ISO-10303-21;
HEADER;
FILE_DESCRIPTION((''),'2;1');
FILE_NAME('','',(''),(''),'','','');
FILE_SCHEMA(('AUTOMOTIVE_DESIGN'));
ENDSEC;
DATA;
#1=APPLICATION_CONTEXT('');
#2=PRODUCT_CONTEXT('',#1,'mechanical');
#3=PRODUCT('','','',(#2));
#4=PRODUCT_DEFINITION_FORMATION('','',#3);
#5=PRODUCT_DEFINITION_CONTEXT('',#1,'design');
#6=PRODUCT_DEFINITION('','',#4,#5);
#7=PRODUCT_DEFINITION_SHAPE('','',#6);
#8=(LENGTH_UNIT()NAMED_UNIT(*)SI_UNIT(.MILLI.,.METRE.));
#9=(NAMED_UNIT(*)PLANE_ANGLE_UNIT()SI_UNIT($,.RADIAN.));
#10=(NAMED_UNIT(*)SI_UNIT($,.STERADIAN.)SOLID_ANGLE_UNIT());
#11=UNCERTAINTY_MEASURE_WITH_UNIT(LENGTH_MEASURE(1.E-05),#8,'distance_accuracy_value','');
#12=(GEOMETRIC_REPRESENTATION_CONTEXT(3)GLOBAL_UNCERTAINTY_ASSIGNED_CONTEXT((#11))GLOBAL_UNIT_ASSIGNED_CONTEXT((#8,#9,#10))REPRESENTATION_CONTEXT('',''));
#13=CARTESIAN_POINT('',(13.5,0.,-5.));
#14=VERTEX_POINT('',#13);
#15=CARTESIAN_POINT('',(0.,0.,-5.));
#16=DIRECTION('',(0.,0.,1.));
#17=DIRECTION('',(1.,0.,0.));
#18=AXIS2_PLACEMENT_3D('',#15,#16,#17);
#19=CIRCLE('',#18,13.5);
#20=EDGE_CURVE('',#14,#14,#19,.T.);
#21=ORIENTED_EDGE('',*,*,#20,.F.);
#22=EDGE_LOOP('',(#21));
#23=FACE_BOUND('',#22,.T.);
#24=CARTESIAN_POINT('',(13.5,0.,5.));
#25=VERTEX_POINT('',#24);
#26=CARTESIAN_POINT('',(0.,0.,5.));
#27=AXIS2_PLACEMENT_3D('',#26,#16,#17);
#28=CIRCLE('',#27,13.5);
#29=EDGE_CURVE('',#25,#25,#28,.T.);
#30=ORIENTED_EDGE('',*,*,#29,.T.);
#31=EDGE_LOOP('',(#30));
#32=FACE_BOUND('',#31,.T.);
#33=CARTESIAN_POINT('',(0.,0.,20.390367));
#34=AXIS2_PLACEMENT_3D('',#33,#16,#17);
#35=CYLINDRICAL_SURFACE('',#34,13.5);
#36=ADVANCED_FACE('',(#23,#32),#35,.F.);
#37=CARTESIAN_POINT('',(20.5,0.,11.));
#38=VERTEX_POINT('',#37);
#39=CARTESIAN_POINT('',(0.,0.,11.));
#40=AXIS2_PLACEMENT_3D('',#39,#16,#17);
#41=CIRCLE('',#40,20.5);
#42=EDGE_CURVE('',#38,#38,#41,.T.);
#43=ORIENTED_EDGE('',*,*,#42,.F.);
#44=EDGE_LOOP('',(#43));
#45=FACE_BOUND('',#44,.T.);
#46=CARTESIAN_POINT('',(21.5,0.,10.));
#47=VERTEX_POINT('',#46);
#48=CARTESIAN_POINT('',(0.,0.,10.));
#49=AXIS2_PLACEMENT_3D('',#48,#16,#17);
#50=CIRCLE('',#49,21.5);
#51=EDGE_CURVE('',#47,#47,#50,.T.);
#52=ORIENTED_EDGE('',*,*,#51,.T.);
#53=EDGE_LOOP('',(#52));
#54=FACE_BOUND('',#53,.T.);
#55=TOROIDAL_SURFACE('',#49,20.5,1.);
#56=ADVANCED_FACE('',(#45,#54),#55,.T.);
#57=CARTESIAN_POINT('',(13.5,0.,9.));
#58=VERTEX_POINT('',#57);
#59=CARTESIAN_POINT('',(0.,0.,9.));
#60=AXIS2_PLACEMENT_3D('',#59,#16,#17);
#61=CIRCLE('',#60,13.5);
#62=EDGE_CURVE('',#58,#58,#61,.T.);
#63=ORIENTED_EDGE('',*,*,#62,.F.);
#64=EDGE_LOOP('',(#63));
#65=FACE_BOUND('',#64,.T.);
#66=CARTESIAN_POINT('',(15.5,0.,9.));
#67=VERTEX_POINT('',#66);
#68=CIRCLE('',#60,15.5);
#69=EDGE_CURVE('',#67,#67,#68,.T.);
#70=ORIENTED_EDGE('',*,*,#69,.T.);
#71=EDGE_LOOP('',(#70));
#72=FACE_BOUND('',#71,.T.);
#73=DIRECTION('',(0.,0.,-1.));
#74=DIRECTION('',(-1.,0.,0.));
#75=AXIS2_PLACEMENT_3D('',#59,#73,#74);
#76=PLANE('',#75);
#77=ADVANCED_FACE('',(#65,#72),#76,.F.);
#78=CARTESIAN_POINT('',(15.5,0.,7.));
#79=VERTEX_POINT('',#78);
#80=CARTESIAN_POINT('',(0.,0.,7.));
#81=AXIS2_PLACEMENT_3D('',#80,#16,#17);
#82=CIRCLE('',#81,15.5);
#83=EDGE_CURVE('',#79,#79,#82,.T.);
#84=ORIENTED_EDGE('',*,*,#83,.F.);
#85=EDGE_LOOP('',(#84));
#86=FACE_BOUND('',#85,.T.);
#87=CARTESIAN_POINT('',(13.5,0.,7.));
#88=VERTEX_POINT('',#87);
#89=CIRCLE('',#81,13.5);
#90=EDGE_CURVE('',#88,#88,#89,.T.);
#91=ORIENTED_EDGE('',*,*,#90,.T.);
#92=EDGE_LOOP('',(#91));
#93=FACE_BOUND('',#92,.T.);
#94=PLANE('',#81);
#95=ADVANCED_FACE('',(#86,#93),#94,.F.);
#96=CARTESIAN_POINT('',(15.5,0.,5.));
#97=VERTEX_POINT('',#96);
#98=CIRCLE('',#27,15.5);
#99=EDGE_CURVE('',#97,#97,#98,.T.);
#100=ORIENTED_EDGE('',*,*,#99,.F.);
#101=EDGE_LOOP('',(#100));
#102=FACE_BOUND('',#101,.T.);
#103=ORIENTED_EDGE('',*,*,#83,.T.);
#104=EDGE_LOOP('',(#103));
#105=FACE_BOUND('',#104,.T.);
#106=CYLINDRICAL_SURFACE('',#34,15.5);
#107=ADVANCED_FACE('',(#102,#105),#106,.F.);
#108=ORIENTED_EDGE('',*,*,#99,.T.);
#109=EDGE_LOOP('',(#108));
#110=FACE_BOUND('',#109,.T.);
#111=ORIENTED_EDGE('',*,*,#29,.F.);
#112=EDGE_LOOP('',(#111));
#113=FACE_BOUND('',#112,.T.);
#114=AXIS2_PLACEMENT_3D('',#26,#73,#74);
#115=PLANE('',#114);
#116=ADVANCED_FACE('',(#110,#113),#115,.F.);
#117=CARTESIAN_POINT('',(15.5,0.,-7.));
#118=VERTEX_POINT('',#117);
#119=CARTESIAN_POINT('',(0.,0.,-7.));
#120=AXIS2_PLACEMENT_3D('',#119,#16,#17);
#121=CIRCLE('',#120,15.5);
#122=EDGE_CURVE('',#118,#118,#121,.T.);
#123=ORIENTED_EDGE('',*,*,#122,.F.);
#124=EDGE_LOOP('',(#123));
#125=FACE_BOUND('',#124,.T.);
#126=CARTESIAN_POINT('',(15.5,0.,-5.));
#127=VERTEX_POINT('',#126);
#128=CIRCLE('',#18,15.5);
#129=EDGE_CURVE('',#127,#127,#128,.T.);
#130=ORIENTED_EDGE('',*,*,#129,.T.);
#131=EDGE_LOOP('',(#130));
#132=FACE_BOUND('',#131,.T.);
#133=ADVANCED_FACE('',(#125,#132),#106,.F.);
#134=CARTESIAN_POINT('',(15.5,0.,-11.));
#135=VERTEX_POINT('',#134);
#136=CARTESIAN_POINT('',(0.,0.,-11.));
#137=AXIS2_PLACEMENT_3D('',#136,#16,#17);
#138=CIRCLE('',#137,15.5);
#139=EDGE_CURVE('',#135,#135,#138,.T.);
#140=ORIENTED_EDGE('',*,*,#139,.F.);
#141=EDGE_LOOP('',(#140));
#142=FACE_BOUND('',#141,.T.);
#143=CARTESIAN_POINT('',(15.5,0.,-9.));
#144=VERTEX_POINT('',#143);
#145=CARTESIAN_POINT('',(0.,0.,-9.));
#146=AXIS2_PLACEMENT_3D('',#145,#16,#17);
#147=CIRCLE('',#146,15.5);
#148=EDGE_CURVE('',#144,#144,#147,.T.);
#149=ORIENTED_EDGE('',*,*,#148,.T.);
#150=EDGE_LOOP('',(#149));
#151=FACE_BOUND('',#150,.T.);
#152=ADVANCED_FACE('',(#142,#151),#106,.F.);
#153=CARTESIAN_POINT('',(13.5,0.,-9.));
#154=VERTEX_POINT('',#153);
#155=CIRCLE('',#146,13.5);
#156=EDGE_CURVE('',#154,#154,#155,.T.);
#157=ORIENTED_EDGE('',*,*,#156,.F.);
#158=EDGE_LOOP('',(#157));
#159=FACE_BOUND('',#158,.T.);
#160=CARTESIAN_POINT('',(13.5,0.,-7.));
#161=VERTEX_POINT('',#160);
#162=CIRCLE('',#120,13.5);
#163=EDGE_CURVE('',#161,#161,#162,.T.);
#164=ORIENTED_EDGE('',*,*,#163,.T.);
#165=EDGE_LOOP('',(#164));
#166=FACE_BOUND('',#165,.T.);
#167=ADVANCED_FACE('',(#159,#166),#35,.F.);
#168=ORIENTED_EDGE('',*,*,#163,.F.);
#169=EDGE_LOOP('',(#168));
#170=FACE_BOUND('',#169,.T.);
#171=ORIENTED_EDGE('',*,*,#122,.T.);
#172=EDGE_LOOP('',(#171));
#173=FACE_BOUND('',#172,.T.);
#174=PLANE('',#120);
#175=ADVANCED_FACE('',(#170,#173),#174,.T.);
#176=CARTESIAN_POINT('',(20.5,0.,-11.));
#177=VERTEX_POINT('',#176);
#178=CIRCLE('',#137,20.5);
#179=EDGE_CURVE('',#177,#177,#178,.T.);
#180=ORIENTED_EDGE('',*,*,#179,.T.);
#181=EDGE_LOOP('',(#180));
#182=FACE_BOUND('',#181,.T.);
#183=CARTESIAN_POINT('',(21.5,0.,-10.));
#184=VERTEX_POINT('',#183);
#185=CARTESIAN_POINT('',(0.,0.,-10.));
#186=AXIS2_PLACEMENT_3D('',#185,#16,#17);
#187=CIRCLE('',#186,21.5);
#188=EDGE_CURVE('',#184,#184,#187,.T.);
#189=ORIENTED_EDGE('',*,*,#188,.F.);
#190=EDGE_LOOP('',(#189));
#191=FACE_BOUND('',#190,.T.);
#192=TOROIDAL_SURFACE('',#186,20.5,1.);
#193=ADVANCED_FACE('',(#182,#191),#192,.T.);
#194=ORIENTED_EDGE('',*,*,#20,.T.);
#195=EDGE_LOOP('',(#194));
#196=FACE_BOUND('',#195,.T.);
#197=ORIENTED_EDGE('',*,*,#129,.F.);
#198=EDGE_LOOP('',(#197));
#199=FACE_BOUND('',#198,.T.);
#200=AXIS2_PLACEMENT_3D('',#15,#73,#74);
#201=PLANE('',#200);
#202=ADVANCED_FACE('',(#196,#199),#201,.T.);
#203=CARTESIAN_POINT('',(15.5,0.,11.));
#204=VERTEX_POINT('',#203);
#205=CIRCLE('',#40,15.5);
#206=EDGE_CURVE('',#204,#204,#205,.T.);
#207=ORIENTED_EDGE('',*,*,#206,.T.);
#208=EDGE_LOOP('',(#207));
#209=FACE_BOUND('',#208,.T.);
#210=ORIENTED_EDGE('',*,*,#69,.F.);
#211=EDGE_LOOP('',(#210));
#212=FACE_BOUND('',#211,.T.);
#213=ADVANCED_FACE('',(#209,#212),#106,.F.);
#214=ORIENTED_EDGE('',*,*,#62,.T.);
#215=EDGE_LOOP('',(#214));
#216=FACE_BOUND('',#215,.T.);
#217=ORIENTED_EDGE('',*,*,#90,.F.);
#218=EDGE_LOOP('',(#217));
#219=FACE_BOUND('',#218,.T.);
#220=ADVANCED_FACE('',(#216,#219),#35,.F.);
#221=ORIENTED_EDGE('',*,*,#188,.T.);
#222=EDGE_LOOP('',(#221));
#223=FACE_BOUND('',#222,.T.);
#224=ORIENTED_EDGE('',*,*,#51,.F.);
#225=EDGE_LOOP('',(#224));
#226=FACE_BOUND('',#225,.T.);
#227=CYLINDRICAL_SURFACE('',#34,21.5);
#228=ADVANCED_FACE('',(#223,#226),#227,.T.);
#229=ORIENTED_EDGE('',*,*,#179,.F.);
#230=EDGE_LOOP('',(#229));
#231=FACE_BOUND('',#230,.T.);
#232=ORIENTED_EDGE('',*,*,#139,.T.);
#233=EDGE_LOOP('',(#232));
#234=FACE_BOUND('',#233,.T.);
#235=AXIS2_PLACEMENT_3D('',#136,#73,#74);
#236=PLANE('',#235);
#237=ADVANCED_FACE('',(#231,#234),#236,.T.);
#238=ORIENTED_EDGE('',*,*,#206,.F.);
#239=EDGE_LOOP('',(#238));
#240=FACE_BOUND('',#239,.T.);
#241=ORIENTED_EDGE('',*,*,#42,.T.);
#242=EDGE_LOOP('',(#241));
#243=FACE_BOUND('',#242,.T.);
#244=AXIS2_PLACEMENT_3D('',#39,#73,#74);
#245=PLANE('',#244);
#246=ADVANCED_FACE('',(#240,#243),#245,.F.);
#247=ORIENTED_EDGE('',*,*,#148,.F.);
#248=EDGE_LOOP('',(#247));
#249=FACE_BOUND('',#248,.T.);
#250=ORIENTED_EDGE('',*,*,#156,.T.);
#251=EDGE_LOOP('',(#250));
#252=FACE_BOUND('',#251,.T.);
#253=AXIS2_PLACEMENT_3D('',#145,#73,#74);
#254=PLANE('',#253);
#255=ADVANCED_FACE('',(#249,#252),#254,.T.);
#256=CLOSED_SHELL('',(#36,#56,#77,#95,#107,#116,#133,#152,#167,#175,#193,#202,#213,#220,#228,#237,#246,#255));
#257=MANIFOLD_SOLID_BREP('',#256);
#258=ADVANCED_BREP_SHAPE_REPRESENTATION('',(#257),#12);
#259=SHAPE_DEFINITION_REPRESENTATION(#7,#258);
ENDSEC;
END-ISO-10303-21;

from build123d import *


with BuildPart() as part:
    # Эскиз1 → Повернуть1 (revolve)
    with BuildSketch(Plane(origin=(0, 0, 0), x_dir=(0, 0, -1), z_dir=(1, 0, 0)), mode=Mode.PRIVATE) as revolve_1_sk:
        with BuildLine():
            Line((-10, 21.5), (10, 21.5))
            ThreePointArc((10, 21.5), (10.707106781, 21.207106781), (11, 20.5))
            Line((11, 20.5), (11, 15.5))
            Line((11, 15.5), (9, 15.5))
            Line((9, 15.5), (9, 13.5))
            Line((9, 13.5), (7, 13.5))
            Line((7, 13.5), (7, 15.5))
            Line((7, 15.5), (5, 15.5))
            Line((5, 15.5), (5, 13.5))
            Line((5, 13.5), (-5, 13.5))
            Line((-5, 13.5), (-5, 15.5))
            Line((-5, 15.5), (-7, 15.5))
            Line((-7, 15.5), (-7, 13.5))
            Line((-7, 13.5), (-9, 13.5))
            Line((-9, 13.5), (-9, 15.5))
            Line((-9, 15.5), (-11, 15.5))
            Line((-11, 15.5), (-11, 20.5))
            ThreePointArc((-11, 20.5), (-10.707106781, 21.207106781), (-10, 21.5))
        make_face()
    revolve(revolve_1_sk.sketch.rotate(Axis((0, 0, 20.390367039), (0, 0, -1)), 90), axis=Axis((0, 0, 20.390367039), (0, 0, -1)))


solid = part.part
